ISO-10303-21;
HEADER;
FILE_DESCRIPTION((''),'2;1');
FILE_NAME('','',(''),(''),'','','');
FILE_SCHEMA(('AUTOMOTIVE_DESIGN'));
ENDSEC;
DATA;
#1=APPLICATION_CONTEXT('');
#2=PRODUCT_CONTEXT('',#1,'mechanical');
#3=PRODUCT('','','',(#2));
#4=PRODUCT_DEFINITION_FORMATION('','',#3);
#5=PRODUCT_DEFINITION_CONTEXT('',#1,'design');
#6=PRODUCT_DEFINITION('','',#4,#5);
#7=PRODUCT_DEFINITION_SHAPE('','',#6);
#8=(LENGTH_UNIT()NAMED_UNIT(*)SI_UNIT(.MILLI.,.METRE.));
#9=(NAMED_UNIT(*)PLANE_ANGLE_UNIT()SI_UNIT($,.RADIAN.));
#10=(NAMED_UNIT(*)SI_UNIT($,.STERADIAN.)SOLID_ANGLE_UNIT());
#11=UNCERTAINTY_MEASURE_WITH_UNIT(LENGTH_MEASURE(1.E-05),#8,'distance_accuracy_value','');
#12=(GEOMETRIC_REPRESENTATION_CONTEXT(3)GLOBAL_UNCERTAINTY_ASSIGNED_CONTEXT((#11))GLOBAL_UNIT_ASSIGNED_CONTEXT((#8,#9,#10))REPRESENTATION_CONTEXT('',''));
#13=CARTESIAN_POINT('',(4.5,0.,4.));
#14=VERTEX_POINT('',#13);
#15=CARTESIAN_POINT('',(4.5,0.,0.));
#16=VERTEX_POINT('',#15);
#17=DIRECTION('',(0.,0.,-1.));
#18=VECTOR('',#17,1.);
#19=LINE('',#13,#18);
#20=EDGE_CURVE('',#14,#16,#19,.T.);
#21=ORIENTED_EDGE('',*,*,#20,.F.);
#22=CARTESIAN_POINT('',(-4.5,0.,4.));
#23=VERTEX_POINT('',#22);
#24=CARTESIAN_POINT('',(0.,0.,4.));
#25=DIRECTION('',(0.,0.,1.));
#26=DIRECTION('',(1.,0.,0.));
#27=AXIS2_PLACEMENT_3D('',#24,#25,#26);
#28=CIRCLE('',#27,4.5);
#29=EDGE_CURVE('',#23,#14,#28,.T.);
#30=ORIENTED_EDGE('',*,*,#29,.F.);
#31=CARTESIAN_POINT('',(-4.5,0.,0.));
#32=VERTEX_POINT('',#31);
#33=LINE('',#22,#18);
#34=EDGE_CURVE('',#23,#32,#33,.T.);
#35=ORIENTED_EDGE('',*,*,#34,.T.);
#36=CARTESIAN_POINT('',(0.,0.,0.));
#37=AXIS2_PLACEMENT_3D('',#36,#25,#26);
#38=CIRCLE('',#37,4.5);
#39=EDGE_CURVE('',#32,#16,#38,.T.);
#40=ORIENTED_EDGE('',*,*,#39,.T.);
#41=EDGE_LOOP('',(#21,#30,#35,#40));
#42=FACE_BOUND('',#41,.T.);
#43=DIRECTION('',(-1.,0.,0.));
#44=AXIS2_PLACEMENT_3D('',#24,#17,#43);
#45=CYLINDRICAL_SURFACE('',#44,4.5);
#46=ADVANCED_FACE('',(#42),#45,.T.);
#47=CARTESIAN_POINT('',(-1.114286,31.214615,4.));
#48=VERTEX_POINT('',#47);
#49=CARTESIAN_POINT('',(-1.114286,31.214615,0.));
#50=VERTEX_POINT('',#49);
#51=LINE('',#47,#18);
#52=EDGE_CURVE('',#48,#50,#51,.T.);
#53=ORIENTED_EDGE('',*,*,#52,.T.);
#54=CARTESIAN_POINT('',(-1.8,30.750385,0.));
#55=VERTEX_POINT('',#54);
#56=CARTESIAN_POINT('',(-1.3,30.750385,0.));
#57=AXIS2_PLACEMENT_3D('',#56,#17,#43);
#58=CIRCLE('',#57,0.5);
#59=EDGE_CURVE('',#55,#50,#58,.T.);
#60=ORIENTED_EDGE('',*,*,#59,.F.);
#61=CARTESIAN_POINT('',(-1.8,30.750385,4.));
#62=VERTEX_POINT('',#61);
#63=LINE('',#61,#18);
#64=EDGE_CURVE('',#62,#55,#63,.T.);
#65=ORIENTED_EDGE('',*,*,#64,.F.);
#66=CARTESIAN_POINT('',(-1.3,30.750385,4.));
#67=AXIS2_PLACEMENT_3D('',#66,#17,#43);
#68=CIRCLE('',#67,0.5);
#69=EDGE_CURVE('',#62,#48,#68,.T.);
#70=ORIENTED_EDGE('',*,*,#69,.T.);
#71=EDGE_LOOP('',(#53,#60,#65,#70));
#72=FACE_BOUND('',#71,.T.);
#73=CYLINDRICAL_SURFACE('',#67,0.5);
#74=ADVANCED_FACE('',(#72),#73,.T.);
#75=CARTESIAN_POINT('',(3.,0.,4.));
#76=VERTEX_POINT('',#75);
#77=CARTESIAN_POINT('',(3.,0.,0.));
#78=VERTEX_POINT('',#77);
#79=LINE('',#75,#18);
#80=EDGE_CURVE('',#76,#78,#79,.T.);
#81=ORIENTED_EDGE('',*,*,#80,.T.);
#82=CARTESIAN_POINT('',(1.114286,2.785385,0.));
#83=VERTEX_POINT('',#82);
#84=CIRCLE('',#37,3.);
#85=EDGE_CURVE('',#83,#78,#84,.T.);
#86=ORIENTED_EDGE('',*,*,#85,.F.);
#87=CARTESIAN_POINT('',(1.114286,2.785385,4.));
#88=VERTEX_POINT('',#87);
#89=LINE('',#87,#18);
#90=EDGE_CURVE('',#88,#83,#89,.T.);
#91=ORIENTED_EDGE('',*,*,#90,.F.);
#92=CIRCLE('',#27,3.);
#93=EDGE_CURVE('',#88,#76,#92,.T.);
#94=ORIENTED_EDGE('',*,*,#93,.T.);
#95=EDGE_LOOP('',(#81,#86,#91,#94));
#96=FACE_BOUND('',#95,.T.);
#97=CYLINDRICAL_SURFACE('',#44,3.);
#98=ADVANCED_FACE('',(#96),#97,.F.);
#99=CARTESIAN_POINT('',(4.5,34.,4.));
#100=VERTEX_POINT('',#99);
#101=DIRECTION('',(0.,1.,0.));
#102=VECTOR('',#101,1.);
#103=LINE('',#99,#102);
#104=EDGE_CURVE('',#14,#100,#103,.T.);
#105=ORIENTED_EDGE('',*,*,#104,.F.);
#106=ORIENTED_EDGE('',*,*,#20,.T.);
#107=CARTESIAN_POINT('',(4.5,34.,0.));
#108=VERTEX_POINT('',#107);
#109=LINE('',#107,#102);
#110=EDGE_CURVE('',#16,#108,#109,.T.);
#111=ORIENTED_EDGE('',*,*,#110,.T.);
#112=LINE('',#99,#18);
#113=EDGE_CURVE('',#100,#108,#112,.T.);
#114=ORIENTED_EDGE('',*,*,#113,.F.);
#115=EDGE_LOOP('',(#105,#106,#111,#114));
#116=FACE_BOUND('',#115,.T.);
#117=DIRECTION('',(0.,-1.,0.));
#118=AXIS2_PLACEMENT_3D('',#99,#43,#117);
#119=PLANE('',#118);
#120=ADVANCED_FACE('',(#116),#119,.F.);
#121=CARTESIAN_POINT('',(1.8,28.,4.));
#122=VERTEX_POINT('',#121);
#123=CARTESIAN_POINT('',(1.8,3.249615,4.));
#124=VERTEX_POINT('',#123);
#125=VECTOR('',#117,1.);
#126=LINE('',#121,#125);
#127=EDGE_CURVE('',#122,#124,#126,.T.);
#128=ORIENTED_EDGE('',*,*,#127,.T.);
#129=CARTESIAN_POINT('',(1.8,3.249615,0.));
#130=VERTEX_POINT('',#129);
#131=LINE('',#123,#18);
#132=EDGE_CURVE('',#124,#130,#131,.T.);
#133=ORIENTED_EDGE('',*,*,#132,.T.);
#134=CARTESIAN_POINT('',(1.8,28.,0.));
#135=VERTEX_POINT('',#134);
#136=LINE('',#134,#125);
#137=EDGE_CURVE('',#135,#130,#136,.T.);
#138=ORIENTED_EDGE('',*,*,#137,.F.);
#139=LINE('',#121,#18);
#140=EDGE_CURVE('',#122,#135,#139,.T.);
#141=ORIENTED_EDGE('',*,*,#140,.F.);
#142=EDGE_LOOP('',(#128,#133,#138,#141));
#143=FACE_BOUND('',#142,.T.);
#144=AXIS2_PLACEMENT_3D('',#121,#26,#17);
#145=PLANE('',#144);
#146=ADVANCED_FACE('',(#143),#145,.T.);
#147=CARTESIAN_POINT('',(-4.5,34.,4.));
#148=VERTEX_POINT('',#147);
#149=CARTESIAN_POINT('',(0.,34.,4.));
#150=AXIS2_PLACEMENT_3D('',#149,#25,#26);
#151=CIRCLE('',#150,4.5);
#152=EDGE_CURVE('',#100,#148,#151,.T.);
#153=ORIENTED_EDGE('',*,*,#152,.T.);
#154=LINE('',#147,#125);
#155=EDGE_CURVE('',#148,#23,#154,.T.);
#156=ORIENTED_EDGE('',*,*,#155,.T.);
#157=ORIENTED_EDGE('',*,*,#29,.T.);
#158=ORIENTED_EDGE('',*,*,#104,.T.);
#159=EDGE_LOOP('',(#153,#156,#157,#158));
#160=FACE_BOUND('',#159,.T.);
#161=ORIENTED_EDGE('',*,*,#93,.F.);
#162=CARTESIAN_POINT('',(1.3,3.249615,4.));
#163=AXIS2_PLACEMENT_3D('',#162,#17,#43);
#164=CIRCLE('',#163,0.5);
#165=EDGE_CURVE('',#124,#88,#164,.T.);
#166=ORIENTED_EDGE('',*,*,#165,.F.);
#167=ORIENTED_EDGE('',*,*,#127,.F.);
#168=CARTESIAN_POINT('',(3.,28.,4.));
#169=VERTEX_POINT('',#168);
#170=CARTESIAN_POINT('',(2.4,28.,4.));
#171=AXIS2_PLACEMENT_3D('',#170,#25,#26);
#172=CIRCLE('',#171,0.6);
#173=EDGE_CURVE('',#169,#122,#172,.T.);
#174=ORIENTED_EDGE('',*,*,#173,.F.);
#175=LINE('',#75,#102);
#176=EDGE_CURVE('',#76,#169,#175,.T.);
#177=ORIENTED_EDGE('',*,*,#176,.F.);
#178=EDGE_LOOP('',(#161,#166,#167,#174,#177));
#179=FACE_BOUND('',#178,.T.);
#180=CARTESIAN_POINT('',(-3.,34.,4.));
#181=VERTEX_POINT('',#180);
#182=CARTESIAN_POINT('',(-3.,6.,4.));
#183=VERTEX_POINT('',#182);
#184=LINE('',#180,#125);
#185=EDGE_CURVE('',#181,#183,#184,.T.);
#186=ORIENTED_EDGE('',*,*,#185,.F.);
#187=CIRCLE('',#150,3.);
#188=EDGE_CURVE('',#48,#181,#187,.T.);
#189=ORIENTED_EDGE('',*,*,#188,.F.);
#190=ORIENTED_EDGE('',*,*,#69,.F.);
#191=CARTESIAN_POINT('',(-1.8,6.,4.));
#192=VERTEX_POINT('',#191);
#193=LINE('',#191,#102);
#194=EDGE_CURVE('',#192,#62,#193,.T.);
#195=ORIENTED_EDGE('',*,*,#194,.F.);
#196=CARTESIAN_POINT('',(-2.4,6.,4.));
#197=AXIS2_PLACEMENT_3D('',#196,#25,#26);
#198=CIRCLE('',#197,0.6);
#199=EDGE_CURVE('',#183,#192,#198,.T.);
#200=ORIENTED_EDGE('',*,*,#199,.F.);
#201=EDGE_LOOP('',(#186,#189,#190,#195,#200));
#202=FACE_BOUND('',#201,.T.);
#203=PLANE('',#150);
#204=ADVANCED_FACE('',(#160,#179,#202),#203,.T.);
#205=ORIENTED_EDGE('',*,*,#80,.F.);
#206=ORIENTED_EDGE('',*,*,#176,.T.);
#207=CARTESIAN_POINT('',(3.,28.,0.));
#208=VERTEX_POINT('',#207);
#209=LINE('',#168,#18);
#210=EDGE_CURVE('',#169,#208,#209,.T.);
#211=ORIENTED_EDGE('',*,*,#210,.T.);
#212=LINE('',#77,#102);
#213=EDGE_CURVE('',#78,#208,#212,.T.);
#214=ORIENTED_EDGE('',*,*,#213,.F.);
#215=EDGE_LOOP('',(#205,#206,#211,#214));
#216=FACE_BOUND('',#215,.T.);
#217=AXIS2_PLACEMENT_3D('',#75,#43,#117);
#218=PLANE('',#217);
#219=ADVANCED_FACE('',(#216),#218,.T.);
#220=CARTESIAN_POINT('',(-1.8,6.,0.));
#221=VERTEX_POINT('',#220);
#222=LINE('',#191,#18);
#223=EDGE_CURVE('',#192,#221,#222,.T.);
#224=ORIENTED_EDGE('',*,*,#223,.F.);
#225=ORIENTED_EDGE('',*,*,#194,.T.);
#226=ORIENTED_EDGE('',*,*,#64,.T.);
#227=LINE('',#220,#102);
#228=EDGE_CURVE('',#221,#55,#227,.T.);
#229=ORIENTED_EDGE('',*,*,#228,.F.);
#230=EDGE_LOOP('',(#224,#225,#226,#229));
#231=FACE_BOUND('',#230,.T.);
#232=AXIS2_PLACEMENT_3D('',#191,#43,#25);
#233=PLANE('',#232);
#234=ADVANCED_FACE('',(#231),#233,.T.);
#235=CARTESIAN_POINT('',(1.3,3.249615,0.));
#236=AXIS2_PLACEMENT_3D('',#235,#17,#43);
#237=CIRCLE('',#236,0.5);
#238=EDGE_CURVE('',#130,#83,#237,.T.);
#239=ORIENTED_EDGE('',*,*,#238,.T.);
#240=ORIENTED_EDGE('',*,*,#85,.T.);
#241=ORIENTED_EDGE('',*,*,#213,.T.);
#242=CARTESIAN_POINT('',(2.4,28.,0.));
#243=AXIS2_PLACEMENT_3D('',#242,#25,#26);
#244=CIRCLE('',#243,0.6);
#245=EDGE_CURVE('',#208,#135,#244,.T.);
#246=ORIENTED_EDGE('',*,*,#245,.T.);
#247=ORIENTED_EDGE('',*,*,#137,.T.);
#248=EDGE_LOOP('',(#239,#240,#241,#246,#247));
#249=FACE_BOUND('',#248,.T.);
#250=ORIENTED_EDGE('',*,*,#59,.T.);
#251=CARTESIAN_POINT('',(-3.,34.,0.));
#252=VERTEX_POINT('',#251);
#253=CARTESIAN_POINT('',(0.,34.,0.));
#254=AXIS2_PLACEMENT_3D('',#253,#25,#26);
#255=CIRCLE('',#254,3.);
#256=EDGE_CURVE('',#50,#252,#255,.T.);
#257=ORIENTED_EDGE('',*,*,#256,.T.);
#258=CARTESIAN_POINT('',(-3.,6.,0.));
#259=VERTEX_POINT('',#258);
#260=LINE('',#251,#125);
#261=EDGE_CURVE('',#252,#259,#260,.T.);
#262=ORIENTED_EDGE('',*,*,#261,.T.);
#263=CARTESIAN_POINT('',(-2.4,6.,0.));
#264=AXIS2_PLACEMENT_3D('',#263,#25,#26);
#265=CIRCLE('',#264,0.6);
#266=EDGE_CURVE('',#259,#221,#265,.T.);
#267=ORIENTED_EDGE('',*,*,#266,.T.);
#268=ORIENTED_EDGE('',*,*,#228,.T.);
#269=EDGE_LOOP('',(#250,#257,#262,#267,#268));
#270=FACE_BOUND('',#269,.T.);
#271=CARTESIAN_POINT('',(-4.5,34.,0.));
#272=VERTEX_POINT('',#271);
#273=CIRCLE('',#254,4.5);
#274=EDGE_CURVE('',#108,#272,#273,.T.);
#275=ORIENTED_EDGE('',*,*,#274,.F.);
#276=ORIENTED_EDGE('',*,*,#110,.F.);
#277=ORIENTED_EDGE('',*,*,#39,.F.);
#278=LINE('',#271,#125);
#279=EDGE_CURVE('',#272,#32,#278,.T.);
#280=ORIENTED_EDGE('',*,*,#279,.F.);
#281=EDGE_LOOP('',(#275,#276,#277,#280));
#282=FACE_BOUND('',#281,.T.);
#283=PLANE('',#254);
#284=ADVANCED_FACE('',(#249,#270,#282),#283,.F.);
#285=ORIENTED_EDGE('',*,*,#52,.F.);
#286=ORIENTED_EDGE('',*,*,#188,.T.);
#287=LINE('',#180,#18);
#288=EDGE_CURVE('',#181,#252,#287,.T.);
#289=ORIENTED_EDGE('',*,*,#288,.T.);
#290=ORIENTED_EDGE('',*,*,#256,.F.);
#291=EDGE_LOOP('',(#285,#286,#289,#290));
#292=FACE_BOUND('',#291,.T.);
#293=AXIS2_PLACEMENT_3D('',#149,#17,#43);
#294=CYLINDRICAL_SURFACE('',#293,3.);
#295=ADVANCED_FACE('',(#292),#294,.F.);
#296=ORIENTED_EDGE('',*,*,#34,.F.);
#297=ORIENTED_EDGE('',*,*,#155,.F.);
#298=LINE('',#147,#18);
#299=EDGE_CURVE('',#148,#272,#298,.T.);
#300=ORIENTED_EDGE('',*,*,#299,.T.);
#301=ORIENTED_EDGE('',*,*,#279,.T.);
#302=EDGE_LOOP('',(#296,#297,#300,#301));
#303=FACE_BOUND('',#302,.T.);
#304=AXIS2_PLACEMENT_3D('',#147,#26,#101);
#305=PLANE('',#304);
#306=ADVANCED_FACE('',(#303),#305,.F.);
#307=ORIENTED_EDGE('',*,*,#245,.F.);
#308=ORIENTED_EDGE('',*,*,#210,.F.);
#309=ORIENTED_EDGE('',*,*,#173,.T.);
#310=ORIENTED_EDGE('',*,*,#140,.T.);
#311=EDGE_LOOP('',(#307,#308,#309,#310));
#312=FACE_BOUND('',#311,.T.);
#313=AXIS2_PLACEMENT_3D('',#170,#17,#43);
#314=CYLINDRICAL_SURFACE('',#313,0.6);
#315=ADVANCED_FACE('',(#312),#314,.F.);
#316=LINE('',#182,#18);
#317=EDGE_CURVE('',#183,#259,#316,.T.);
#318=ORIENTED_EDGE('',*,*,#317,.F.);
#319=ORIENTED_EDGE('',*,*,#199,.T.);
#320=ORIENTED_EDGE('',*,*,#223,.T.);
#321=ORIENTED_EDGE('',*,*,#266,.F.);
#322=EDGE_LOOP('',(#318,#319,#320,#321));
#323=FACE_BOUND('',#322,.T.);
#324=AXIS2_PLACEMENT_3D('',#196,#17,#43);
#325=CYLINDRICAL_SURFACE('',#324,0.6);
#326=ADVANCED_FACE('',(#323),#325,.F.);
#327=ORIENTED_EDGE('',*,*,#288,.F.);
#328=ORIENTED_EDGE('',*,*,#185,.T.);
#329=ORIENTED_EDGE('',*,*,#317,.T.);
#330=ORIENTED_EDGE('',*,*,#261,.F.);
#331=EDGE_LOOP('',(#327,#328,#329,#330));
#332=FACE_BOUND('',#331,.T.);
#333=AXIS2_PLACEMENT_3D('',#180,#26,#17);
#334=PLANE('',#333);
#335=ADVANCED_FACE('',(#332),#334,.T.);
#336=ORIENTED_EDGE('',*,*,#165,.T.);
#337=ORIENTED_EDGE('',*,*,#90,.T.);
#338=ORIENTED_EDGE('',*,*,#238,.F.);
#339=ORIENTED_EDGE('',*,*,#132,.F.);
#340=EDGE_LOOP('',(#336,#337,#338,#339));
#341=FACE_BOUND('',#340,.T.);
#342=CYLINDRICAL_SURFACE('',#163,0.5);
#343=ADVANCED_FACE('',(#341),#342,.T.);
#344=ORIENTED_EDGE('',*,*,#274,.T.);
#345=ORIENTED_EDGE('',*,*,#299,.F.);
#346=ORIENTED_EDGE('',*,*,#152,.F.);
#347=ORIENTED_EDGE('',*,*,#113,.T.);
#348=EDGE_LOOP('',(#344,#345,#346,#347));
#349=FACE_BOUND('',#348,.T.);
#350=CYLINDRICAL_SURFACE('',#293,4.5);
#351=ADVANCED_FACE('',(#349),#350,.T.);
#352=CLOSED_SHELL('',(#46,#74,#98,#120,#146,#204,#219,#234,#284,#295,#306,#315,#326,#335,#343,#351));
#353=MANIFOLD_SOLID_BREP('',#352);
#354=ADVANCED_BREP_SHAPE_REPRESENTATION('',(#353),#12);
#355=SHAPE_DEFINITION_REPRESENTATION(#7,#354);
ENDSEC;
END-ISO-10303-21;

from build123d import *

# Parameters (mm, degrees)
EXTRUDE_1_DEPTH = 4


with BuildPart() as part:
    # 草图1 → 凸台-拉伸1 (new body)
    with BuildSketch(Plane.XY):
        with BuildLine():
            Line((-4.5, 34), (-4.5, 0))
            ThreePointArc((-4.5, 0), (0, -4.5), (4.5, 0))
            Line((4.5, 0), (4.5, 34))
            ThreePointArc((4.5, 34), (0, 38.5), (-4.5, 34))
        make_face()
        with BuildLine():
            Line((-3, 34), (-3, 6))
            ThreePointArc((-3, 6), (-2.4, 5.4), (-1.8, 6))
            Line((-1.8, 6), (-1.8, 30.750384638))
            ThreePointArc((-1.8, 30.750384638), (-1.580305955, 31.164423974), (-1.114285714, 31.214615404))
            ThreePointArc((-1.114285714, 31.214615404), (2.484236014, 35.681835732), (-3, 34))
        make_face(mode=Mode.SUBTRACT)
        with BuildLine():
            Line((3, 0), (3, 28))
            ThreePointArc((3, 28), (2.4, 28.6), (1.8, 28))
            Line((1.8, 28), (1.8, 3.249615362))
            ThreePointArc((1.8, 3.249615362), (1.580305955, 2.835576026), (1.114285714, 2.785384596))
            ThreePointArc((1.114285714, 2.785384596), (-2.484236014, -1.681835732), (3, 0))
        make_face(mode=Mode.SUBTRACT)
    extrude(amount=EXTRUDE_1_DEPTH)


solid = part.part
